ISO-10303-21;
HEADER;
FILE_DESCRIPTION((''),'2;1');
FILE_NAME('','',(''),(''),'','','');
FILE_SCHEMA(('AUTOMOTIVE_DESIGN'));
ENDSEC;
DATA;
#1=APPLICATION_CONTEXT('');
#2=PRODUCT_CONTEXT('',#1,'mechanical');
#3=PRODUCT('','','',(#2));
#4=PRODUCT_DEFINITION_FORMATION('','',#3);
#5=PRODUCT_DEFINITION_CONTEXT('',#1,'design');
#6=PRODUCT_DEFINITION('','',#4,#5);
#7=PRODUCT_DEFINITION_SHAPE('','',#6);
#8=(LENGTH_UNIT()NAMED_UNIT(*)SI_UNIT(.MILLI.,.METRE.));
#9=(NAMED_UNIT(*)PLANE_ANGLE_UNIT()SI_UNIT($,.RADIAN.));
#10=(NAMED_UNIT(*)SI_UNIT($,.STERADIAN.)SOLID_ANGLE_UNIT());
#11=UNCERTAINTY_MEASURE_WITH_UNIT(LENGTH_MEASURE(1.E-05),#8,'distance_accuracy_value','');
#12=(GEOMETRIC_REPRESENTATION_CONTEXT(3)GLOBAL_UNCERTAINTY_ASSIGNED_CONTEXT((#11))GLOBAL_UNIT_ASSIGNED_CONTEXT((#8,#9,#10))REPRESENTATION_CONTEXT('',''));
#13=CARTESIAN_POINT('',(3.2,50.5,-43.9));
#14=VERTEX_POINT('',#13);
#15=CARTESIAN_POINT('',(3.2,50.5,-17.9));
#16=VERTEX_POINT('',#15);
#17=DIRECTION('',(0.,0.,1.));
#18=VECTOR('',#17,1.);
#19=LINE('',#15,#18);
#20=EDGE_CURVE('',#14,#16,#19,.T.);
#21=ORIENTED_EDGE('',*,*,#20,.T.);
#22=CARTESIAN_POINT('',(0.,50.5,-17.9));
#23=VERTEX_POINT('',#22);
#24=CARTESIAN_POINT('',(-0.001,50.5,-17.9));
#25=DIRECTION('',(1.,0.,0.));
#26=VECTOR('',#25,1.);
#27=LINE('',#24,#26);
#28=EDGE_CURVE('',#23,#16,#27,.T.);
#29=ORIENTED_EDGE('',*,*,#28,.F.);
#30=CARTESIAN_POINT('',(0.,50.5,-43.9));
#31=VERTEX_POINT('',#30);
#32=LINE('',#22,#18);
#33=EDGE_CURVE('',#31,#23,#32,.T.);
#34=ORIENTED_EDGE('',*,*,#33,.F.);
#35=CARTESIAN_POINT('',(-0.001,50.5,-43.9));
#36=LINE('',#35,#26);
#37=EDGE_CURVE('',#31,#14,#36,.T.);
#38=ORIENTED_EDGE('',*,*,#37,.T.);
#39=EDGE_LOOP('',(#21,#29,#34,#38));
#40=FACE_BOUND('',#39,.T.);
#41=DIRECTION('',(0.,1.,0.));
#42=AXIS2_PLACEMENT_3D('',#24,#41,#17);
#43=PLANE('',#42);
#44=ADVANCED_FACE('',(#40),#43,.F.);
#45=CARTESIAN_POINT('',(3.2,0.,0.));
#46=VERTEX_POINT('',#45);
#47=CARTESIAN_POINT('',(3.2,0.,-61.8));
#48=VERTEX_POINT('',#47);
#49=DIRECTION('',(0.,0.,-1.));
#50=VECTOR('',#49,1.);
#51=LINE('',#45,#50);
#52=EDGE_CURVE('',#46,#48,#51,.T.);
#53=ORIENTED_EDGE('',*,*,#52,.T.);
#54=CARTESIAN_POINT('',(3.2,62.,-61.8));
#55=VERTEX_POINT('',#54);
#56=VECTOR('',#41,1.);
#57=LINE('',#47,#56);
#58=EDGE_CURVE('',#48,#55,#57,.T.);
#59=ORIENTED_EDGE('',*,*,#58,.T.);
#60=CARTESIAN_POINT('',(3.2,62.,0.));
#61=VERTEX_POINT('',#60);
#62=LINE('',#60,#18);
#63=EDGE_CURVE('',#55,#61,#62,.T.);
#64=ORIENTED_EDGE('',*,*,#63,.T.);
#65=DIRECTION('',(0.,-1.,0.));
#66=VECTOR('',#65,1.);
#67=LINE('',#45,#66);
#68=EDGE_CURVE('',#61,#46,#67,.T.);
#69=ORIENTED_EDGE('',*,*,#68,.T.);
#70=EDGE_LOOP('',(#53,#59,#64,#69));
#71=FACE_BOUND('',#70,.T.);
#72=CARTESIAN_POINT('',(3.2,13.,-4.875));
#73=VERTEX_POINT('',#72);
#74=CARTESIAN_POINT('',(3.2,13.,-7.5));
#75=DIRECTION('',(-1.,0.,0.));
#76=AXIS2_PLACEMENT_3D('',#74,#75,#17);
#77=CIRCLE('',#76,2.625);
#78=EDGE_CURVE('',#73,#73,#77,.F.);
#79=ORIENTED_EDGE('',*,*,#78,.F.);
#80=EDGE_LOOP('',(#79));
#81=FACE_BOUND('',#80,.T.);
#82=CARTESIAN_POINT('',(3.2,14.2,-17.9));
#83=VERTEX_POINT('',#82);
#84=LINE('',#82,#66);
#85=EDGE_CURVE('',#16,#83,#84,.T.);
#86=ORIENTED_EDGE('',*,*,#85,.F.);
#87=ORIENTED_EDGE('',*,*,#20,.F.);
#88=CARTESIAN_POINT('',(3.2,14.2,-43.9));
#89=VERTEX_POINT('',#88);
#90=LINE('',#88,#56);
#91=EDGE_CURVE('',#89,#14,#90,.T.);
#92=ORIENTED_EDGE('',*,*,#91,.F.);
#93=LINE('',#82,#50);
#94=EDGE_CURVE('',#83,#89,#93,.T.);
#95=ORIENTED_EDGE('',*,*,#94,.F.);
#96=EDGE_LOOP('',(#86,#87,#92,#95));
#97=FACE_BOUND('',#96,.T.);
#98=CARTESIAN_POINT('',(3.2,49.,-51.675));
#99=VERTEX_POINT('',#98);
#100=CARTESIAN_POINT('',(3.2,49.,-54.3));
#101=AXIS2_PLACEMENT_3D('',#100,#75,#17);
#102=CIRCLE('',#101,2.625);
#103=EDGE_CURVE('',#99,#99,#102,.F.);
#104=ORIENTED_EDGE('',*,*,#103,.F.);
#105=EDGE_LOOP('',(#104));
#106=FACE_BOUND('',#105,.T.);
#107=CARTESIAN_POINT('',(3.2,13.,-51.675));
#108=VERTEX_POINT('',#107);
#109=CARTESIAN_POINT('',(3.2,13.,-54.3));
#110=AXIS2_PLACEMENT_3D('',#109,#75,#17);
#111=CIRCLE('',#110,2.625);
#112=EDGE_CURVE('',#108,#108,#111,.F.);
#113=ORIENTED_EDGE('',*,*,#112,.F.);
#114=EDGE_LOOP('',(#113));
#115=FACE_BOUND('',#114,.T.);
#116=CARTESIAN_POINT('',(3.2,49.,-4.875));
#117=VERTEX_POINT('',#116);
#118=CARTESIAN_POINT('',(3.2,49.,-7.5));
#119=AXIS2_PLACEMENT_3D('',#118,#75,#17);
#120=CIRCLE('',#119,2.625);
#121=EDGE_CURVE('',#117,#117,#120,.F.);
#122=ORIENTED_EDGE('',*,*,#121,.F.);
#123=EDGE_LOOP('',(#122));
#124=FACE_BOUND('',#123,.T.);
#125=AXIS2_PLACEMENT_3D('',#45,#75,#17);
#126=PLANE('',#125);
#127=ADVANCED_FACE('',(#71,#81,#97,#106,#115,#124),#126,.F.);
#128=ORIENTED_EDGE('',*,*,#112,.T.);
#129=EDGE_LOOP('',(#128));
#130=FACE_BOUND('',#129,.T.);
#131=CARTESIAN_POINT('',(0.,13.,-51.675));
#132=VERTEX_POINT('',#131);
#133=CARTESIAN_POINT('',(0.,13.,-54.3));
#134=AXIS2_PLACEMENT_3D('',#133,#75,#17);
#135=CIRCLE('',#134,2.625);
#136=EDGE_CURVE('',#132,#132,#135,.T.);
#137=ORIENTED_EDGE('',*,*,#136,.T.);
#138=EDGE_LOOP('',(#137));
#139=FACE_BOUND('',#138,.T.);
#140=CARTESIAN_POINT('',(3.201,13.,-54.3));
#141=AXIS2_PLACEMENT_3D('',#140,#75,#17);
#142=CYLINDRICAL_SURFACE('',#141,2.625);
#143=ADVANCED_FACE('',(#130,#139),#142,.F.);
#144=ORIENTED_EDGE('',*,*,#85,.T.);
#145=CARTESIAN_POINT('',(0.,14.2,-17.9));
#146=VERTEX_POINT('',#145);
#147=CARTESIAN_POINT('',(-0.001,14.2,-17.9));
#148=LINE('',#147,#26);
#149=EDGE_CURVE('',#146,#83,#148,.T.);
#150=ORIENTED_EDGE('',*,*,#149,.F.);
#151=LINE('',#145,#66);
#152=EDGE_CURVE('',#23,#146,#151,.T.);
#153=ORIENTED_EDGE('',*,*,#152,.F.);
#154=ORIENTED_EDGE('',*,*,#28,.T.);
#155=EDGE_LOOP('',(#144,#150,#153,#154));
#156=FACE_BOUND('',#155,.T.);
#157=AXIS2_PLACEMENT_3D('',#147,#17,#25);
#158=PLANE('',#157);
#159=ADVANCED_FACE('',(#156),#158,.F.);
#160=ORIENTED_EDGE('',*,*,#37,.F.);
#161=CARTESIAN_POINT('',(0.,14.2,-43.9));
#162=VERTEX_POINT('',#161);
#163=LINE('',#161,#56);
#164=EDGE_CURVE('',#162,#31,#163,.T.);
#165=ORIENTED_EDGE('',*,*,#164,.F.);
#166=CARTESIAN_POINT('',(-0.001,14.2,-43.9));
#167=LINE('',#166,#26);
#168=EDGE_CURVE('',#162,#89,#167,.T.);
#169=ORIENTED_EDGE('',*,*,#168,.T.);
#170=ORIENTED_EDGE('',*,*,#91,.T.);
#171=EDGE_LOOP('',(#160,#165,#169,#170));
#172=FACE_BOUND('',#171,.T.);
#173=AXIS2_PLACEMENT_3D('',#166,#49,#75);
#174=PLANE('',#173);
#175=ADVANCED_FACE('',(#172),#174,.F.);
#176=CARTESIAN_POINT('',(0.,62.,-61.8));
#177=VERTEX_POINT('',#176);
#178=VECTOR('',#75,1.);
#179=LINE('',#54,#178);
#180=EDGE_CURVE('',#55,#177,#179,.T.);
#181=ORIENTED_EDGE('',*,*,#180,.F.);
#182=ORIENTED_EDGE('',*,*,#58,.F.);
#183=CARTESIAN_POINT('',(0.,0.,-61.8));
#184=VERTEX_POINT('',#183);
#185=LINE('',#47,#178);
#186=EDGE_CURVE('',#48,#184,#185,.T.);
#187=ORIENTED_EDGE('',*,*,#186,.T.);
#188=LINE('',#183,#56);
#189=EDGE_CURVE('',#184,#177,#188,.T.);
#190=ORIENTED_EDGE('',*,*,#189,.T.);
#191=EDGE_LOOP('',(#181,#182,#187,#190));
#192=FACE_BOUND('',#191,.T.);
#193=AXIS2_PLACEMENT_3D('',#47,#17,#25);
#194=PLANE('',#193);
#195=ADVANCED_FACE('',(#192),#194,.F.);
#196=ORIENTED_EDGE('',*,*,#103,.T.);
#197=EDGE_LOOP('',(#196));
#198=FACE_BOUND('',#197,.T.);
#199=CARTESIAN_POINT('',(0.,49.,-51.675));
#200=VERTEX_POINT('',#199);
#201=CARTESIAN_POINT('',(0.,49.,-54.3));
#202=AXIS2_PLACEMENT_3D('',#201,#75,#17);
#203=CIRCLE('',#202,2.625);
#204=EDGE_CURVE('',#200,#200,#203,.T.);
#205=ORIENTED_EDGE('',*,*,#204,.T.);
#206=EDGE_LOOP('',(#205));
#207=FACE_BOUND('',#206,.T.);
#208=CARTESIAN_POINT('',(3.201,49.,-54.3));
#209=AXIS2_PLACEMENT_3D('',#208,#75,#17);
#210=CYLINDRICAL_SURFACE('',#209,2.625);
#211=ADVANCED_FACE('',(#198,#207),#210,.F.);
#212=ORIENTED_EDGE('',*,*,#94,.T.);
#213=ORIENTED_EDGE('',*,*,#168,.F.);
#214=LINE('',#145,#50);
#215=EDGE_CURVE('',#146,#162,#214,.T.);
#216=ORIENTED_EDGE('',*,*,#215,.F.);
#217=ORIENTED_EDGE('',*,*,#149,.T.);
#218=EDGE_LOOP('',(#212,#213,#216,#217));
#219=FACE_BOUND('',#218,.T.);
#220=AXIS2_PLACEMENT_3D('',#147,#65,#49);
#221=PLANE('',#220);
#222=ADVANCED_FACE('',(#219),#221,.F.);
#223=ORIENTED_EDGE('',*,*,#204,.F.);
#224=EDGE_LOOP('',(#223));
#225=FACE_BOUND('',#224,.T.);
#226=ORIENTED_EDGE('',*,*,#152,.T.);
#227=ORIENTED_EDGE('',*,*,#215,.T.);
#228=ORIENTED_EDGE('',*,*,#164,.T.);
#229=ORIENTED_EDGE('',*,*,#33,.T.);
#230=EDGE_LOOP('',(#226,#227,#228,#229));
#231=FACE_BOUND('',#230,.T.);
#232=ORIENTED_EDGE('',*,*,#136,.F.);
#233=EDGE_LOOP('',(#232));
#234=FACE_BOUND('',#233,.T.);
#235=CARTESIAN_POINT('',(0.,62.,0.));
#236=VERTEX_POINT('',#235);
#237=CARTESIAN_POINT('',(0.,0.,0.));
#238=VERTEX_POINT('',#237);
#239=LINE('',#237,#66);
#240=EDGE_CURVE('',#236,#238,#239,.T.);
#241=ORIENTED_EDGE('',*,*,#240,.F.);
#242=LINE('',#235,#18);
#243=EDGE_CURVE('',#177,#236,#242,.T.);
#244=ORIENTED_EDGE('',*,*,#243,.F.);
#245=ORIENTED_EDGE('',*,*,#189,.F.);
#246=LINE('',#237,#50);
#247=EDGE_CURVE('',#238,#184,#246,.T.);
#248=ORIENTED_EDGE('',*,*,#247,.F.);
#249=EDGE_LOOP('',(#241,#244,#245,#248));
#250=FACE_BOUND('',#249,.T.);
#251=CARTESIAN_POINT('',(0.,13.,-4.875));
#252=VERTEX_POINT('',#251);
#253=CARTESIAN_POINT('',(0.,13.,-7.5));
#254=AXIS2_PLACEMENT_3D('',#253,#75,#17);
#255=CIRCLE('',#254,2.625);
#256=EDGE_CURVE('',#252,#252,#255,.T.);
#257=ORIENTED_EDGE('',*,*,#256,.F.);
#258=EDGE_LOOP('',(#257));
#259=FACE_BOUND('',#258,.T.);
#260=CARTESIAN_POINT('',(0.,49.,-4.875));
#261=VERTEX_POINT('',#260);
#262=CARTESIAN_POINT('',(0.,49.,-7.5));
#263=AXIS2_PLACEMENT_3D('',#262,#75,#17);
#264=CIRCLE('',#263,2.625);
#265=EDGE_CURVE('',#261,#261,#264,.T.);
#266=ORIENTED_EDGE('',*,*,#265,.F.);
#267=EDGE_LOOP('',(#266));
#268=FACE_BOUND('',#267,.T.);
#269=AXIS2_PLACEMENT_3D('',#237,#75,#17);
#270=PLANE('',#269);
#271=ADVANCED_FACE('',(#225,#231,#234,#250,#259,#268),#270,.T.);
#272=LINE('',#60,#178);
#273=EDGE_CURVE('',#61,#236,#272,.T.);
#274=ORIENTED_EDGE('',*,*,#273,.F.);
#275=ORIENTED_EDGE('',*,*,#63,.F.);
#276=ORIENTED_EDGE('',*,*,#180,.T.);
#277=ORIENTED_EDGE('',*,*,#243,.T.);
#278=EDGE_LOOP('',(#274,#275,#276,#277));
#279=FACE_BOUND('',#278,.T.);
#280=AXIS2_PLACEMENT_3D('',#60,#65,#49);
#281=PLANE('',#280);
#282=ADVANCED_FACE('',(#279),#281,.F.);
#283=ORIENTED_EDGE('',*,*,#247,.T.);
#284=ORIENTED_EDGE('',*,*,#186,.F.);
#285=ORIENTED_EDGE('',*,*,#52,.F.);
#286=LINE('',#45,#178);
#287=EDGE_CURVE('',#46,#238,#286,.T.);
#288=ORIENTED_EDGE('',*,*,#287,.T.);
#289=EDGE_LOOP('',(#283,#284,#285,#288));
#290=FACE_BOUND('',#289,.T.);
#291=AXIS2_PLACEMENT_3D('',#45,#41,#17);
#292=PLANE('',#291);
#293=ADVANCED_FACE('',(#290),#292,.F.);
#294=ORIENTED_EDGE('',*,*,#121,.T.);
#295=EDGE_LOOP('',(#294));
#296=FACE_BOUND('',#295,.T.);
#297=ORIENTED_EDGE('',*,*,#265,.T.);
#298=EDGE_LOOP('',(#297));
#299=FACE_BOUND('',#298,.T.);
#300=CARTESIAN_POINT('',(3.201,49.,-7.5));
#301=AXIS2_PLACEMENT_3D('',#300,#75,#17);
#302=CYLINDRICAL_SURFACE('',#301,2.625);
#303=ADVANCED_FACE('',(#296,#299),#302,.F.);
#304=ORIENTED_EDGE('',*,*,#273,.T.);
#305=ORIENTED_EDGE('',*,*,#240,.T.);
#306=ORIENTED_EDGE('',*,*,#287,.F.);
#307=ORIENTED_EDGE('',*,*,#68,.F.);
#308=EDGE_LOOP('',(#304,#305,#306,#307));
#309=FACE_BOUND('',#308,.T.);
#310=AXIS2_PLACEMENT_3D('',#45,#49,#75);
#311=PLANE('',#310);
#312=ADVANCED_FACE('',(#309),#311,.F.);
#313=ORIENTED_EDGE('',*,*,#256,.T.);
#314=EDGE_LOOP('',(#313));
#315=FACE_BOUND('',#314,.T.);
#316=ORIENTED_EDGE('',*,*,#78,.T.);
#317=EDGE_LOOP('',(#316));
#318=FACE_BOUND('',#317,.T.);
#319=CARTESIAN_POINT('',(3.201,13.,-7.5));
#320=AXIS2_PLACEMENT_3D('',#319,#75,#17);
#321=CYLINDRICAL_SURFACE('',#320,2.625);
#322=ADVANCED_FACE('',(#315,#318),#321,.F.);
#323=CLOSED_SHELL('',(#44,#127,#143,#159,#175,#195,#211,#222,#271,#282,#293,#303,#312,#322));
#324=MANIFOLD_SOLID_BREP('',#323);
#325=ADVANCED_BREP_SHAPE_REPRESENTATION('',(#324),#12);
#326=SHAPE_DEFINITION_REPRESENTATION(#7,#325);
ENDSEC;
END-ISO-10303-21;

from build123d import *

# Parameters (mm, degrees)
SKETCH1_W           = 61.8
SKETCH1_H           = 62
BOSS_EXTRUDE1_DEPTH = 3.2
CUT_EXTRUDE1_REACH  = 5.2
SKETCH2_W           = 26
SKETCH2_H           = 36.3
CUT_EXTRUDE2_REACH  = 5.2
SKETCH3_R           = 2.625


with BuildPart() as part:
    # Sketch1 → Boss-Extrude1 (new body)
    with BuildSketch(Plane(origin=(0, 0, 0), x_dir=(0, 0, -1), z_dir=(1, 0, 0))):
        with Locations((30.9, 31)):
            Rectangle(SKETCH1_W, SKETCH1_H)
    extrude(amount=BOSS_EXTRUDE1_DEPTH)

    # Sketch2 → Cut-Extrude1 (cut, up to next)
    with BuildSketch(Plane(origin=(3.2, 0, 0), x_dir=(0, 0, -1), z_dir=(1, 0, 0)), mode=Mode.PRIVATE) as cut_extrude1_sk1:
        with Locations((30.9, 32.35)):
            Rectangle(SKETCH2_W, SKETCH2_H)
    cut_extrude1_tool1 = extrude(cut_extrude1_sk1.sketch, amount=-CUT_EXTRUDE1_REACH, mode=Mode.PRIVATE) & part.part
    add(cut_extrude1_tool1.solids().sort_by_distance((3.2, 32.35, -30.9))[0], mode=Mode.SUBTRACT)

    # Sketch3 → Cut-Extrude2 (cut, up to next)
    with BuildSketch(Plane.ZY, mode=Mode.PRIVATE) as cut_extrude2_sk1:
        with Locations((-7.5, 49)):
            Circle(SKETCH3_R)
    cut_extrude2_tool1 = extrude(cut_extrude2_sk1.sketch, amount=-CUT_EXTRUDE2_REACH, mode=Mode.PRIVATE) & part.part
    add(cut_extrude2_tool1.solids().sort_by_distance((0, 49, -7.5))[0], mode=Mode.SUBTRACT)
    # Sketch3 → Cut-Extrude2 (cut, up to next)
    with BuildSketch(Plane.ZY, mode=Mode.PRIVATE) as cut_extrude2_sk2:
        with Locations((-7.5, 13)):
            Circle(SKETCH3_R)
    cut_extrude2_tool2 = extrude(cut_extrude2_sk2.sketch, amount=-CUT_EXTRUDE2_REACH, mode=Mode.PRIVATE) & part.part
    add(cut_extrude2_tool2.solids().sort_by_distance((0, 13, -7.5))[0], mode=Mode.SUBTRACT)
    # Sketch3 → Cut-Extrude2 (cut, up to next)
    with BuildSketch(Plane.ZY, mode=Mode.PRIVATE) as cut_extrude2_sk3:
        with Locations((-54.3, 49)):
            Circle(SKETCH3_R)
    cut_extrude2_tool3 = extrude(cut_extrude2_sk3.sketch, amount=-CUT_EXTRUDE2_REACH, mode=Mode.PRIVATE) & part.part
    add(cut_extrude2_tool3.solids().sort_by_distance((0, 49, -54.3))[0], mode=Mode.SUBTRACT)
    # Sketch3 → Cut-Extrude2 (cut, up to next)
    with BuildSketch(Plane.ZY, mode=Mode.PRIVATE) as cut_extrude2_sk4:
        with Locations((-54.3, 13)):
            Circle(SKETCH3_R)
    cut_extrude2_tool4 = extrude(cut_extrude2_sk4.sketch, amount=-CUT_EXTRUDE2_REACH, mode=Mode.PRIVATE) & part.part
    add(cut_extrude2_tool4.solids().sort_by_distance((0, 13, -54.3))[0], mode=Mode.SUBTRACT)


solid = part.part
